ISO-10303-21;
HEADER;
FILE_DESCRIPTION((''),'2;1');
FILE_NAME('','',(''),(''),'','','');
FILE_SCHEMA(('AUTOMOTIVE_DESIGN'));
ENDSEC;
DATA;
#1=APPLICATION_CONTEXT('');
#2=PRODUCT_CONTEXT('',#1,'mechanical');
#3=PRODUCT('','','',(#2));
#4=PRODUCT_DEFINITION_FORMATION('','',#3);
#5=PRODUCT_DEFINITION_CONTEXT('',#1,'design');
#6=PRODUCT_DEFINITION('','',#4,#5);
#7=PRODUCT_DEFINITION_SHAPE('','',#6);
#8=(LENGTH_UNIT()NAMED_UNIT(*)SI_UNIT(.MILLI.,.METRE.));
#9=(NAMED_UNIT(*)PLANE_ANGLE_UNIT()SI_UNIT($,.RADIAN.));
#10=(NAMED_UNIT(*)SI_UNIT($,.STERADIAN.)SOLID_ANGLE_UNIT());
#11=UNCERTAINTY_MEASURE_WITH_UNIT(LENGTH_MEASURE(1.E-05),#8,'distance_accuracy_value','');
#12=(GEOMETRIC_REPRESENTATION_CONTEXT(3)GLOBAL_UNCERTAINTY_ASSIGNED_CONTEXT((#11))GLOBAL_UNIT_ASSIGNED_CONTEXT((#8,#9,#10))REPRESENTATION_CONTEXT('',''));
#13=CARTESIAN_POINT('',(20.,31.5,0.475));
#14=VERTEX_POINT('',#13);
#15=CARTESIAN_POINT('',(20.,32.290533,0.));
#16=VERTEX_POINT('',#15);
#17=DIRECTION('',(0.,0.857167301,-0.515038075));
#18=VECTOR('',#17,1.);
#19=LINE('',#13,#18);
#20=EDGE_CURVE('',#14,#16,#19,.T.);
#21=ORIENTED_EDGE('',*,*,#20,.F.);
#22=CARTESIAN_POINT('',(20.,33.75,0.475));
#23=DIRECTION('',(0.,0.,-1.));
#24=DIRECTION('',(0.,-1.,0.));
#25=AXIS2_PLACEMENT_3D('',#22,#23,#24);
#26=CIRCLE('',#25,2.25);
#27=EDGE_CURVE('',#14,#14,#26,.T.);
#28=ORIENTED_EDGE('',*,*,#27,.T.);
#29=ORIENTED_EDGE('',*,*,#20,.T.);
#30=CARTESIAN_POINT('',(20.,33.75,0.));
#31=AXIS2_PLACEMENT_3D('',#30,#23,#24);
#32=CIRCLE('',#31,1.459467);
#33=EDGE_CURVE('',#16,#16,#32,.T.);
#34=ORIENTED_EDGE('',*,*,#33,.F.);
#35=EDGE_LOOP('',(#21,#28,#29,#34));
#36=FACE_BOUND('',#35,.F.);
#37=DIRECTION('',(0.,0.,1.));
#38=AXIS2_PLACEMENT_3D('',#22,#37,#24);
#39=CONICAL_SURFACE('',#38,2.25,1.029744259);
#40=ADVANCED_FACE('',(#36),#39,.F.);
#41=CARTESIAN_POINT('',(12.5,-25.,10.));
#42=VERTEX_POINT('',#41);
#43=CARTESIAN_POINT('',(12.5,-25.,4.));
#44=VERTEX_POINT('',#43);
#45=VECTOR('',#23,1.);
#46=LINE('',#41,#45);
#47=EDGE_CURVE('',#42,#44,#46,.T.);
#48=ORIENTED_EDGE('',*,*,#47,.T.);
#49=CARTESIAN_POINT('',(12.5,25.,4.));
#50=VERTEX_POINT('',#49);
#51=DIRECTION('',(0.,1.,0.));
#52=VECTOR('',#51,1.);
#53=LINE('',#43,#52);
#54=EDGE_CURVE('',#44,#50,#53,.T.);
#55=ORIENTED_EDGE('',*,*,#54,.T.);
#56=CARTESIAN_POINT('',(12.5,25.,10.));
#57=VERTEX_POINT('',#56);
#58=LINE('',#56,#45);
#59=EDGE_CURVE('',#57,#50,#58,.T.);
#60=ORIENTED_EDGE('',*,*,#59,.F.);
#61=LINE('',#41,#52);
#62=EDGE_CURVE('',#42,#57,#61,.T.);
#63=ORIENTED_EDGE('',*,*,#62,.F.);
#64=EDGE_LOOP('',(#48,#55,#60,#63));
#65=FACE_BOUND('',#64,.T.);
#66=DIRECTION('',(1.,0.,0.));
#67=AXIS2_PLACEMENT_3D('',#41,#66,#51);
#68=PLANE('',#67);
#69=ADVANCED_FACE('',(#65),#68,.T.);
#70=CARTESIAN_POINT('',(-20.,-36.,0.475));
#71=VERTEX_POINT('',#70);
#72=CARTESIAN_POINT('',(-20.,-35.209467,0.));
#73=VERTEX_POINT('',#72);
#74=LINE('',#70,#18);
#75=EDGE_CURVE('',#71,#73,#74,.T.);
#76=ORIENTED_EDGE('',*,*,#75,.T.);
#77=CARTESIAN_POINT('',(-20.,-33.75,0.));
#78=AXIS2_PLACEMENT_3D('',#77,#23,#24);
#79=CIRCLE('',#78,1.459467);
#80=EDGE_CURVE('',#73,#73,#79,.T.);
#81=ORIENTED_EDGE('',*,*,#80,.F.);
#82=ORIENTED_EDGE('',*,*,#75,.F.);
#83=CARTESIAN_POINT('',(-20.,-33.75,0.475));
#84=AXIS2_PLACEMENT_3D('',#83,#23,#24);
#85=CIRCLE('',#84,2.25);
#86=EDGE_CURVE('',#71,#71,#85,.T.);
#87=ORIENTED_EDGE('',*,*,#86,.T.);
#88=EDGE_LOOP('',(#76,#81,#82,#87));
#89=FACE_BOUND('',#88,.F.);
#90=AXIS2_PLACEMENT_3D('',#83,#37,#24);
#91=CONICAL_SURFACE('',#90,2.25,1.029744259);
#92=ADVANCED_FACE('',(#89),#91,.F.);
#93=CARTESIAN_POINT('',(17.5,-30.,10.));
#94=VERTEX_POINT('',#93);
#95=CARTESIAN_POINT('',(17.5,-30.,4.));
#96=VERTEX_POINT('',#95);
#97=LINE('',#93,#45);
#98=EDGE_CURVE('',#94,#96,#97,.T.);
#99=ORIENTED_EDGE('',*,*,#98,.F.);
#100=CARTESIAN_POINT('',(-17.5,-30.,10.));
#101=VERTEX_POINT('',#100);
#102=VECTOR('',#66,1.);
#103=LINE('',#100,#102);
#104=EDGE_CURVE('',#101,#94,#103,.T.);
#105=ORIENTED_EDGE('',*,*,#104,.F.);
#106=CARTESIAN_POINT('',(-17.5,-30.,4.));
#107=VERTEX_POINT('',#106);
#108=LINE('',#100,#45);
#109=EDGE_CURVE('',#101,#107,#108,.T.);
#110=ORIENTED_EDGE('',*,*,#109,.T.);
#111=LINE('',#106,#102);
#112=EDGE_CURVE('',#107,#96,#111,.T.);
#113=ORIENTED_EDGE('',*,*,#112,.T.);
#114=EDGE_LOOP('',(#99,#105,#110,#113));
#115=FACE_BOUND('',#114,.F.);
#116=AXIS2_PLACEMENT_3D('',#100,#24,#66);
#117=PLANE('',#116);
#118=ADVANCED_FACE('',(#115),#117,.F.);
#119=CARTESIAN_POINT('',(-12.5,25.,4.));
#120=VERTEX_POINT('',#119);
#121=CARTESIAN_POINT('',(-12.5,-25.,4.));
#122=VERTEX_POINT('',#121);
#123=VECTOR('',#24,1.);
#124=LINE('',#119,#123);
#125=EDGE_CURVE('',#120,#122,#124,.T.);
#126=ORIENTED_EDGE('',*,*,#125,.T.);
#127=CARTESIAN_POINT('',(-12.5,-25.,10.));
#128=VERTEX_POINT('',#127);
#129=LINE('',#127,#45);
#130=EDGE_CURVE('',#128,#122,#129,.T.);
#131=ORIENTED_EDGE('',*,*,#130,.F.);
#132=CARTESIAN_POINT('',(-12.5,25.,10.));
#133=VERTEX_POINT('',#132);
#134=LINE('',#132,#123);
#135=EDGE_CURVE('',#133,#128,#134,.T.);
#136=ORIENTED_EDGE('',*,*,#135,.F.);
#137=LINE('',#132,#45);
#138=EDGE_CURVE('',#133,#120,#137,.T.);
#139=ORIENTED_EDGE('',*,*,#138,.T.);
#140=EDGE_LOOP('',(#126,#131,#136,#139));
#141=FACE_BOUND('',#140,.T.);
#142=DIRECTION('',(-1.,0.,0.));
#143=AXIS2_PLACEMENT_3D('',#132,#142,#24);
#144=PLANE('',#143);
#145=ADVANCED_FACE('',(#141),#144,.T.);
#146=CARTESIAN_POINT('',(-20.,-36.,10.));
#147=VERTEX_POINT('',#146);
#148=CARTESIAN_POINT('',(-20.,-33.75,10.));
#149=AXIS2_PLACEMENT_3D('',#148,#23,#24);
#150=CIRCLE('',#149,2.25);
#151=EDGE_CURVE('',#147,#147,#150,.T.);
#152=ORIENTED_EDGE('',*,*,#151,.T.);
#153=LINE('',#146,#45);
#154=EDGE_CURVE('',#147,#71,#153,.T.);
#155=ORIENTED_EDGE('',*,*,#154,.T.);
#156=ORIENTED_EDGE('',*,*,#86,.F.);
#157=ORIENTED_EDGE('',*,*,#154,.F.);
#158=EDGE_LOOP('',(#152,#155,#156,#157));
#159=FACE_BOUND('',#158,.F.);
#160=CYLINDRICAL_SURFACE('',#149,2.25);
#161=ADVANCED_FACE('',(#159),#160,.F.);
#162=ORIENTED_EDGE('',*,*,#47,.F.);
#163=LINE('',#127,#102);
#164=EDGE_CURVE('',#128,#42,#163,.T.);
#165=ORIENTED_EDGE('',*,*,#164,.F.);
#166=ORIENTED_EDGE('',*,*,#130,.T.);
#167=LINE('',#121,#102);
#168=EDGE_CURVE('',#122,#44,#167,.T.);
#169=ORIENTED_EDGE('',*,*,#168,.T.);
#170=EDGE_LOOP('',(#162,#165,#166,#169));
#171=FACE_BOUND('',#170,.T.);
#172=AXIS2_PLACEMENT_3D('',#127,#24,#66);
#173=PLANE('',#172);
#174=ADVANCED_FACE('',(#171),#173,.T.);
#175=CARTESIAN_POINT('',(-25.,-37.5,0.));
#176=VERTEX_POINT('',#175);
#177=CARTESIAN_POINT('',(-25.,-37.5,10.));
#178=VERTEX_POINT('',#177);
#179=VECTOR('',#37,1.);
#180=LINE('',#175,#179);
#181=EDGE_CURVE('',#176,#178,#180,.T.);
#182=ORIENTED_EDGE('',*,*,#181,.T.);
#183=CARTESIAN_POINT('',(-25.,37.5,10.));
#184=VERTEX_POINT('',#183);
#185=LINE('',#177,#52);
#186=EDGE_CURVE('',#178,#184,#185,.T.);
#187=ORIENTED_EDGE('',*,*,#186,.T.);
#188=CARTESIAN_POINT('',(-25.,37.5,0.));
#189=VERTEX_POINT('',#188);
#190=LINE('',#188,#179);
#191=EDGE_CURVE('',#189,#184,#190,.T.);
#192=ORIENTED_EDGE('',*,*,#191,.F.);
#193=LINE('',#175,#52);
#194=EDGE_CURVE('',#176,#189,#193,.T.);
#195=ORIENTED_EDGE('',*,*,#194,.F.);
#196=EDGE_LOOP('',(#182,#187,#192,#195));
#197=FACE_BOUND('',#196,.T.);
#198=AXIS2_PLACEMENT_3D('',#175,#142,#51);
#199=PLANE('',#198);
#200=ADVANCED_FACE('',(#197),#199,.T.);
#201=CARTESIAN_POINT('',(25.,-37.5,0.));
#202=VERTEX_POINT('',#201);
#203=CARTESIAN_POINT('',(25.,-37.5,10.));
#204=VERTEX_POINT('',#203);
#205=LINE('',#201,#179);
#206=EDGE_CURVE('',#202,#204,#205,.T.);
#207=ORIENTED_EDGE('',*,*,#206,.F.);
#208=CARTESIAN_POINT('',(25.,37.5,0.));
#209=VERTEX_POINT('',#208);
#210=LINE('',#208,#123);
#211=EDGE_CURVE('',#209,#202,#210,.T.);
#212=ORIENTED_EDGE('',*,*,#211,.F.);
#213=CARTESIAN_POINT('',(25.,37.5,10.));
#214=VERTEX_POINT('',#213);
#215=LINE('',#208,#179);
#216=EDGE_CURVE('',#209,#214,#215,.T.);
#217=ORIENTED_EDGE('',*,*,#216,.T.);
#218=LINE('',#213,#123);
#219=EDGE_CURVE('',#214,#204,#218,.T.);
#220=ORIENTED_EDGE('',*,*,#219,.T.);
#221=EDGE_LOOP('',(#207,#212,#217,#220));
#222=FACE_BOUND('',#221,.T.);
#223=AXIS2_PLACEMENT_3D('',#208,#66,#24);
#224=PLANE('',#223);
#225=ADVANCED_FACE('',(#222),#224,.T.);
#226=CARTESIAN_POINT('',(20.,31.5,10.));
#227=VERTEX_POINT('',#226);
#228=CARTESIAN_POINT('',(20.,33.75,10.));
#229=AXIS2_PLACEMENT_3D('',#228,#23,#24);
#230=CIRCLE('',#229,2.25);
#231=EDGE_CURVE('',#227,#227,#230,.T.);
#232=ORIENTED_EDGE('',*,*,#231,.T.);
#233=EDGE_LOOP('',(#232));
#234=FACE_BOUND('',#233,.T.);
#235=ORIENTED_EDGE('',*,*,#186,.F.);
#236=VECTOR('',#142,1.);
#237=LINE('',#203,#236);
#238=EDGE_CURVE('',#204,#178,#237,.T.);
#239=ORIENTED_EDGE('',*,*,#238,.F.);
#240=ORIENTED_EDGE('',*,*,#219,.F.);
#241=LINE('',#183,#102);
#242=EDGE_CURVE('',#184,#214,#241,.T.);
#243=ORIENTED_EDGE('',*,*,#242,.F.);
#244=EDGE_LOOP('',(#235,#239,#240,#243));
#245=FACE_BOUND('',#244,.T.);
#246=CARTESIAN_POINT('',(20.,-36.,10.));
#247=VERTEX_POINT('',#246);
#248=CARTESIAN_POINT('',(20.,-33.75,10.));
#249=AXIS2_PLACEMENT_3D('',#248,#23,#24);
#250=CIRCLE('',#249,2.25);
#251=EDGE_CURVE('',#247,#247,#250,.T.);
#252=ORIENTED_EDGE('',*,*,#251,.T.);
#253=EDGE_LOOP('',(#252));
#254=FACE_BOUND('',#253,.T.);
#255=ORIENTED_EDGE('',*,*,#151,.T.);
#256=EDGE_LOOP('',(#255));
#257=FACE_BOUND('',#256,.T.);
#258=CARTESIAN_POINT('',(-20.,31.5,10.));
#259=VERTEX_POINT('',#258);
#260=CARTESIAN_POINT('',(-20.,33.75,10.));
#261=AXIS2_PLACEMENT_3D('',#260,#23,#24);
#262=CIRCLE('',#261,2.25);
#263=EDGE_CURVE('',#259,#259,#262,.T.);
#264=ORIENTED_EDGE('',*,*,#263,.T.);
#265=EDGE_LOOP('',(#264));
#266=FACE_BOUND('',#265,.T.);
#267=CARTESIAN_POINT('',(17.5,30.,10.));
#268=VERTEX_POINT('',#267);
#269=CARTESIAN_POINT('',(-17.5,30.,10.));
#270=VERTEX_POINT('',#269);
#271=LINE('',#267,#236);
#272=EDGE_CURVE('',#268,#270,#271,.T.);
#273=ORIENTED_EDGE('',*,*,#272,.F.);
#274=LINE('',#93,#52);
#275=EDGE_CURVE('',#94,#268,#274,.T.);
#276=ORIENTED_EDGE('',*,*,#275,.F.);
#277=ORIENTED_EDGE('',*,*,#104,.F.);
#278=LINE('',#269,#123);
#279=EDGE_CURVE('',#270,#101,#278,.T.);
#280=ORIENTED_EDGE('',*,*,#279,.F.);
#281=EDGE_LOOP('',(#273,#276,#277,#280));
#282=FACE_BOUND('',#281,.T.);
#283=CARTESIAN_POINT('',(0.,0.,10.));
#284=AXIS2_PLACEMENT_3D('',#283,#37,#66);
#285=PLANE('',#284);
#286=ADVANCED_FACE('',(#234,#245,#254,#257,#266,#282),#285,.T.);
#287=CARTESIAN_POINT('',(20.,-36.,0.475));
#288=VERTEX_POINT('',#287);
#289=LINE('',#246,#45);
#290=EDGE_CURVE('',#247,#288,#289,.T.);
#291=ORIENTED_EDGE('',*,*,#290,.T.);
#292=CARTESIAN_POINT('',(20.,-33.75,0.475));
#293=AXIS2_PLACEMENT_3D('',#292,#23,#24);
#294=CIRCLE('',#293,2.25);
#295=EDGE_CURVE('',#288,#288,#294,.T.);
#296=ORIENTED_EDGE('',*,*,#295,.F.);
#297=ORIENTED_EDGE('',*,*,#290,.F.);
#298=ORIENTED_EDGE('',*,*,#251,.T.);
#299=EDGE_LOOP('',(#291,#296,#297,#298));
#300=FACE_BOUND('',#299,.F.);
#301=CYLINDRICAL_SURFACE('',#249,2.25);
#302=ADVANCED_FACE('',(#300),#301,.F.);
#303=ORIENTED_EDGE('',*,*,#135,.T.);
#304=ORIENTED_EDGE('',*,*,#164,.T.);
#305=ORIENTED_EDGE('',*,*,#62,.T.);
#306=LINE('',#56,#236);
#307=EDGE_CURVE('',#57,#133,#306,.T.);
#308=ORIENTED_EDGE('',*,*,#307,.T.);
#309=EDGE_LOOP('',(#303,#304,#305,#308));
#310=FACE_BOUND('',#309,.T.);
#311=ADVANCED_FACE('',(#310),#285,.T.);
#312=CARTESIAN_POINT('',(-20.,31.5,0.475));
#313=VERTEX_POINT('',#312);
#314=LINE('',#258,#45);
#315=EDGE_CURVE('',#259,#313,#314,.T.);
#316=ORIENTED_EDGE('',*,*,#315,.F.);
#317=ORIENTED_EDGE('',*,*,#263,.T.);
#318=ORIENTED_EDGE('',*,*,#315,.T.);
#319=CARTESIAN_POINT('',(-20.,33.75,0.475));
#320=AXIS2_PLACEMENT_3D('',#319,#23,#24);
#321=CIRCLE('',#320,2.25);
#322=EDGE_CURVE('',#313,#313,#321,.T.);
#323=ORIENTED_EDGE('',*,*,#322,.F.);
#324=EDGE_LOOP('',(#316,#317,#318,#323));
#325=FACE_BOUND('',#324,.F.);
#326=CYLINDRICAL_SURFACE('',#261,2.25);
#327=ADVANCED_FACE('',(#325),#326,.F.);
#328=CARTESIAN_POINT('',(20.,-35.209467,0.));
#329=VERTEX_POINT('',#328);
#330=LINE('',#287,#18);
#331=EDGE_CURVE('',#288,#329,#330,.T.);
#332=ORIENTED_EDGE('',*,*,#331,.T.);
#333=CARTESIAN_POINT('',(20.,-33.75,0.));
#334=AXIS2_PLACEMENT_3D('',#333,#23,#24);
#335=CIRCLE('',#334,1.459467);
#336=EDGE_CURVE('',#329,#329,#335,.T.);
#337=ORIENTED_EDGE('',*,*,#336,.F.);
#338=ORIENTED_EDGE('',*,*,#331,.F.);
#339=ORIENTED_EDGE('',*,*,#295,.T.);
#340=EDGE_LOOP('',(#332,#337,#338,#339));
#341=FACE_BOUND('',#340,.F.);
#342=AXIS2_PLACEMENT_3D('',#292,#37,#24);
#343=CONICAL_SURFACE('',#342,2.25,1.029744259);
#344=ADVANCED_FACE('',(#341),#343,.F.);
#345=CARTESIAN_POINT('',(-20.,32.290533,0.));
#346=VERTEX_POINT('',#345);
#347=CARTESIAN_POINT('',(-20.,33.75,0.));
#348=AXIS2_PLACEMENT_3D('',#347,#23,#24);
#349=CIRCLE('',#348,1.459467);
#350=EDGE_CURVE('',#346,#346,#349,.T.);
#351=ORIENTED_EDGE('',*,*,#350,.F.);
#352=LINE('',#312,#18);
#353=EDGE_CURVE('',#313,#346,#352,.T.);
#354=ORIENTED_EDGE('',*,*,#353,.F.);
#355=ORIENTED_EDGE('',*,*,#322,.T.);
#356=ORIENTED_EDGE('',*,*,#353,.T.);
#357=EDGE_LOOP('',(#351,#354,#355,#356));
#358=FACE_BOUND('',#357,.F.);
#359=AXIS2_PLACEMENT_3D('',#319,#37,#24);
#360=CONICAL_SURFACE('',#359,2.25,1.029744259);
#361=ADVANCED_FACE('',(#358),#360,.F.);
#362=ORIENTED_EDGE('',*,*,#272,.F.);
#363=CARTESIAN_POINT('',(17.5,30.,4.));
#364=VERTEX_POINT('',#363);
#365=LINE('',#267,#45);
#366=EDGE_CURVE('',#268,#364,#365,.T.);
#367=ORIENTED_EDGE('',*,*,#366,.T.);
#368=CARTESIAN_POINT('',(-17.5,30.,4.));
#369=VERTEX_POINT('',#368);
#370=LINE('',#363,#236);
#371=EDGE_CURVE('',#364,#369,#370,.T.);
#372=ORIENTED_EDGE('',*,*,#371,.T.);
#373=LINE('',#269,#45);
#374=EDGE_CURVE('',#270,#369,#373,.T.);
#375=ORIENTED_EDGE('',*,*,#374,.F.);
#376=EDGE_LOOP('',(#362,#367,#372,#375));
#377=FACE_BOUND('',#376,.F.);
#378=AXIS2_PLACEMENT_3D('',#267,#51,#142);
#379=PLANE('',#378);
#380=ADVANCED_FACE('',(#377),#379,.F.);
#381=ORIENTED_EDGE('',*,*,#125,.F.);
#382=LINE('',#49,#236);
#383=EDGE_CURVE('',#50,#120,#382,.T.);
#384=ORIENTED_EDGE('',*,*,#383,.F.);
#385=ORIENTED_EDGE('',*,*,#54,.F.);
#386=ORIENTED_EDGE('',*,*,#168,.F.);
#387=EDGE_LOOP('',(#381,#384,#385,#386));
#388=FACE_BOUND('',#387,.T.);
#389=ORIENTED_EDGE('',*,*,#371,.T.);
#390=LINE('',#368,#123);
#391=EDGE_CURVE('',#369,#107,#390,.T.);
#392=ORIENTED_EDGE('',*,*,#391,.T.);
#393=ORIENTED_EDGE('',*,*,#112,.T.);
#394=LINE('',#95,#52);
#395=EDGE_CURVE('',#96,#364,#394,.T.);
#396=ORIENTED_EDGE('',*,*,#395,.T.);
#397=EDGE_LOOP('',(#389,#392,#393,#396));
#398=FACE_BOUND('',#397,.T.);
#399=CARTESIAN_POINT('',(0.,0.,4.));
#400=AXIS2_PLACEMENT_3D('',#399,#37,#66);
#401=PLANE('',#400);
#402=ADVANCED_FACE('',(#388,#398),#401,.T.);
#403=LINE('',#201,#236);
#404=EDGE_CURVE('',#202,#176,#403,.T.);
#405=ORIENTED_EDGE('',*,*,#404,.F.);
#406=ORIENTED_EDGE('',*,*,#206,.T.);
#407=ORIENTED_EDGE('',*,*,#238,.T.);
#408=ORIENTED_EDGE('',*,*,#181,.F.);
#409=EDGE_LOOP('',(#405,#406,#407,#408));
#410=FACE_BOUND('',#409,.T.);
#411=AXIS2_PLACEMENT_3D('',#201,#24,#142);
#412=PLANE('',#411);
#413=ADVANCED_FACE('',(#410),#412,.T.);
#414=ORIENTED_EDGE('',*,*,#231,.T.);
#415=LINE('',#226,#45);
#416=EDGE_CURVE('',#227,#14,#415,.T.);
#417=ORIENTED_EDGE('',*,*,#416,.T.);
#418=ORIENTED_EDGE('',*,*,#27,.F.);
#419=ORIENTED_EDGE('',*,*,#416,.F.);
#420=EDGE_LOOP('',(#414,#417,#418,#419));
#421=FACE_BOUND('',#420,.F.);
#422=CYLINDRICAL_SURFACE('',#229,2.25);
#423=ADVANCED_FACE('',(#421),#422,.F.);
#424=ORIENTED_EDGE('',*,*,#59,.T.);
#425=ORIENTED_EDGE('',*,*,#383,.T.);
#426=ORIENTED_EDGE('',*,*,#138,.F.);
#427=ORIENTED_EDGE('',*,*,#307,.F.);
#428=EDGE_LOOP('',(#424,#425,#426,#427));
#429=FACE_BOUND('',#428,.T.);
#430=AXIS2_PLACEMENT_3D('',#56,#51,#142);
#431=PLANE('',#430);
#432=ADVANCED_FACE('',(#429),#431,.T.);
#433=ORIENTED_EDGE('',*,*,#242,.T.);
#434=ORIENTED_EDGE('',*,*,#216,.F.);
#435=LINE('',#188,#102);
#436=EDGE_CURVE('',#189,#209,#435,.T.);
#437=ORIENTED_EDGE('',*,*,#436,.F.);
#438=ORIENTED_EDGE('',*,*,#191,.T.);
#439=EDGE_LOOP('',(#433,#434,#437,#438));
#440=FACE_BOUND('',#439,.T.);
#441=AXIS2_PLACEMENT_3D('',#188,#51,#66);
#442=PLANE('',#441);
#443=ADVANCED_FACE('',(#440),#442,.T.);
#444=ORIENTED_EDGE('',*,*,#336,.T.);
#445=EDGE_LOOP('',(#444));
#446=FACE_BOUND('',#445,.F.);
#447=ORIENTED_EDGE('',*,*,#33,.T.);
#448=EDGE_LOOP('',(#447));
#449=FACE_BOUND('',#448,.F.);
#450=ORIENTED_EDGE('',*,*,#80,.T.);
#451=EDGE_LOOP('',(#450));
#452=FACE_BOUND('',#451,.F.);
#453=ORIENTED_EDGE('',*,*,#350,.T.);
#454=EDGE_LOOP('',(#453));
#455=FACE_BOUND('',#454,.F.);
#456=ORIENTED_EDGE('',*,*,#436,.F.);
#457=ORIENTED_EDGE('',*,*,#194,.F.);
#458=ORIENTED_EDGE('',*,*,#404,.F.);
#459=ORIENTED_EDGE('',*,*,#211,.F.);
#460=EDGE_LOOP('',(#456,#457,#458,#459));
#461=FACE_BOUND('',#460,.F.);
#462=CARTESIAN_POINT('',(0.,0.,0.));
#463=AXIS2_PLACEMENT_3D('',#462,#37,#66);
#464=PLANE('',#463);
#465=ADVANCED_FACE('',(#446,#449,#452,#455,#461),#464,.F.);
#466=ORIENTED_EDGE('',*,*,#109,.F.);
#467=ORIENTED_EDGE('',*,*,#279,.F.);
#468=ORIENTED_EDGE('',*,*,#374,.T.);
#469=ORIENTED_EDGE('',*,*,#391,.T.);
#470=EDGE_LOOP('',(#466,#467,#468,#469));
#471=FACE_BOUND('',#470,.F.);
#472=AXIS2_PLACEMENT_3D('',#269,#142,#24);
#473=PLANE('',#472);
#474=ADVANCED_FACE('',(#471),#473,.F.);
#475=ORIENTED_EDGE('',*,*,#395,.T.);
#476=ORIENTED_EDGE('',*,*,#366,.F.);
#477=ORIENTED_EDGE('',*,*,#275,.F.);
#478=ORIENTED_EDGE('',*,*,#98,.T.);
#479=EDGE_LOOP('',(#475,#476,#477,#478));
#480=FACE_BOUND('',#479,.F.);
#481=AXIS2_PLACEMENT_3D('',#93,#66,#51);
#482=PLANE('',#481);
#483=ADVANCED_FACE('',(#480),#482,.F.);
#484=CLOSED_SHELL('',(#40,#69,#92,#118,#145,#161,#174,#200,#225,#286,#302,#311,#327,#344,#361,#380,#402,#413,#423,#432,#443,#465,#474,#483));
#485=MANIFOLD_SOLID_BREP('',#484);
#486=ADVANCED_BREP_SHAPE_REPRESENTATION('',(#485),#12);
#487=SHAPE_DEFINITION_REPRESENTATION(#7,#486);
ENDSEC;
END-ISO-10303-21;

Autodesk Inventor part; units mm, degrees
ref_plane "YZ Plane" through (0, 0, 0) normal (1, 0, 0) x (0, 1, 0)
ref_plane "XZ Plane" through (0, 0, 0) normal (0, 1, 0) x (-1, 0, 0)
ref_plane "XY Plane" through (0, 0, 0) normal (0, 0, 1) x (1, 0, 0)
sketch "Sketch1" plane through (0, 0, 0) normal (0, 0, 1) x (1, 0, 0)
  line L0 (-25, 37.5) -> (25, 37.5)
  line L1 (25, 37.5) -> (25, -37.5)
  line L2 (25, -37.5) -> (-25, -37.5)
  line L3 (-25, -37.5) -> (-25, 37.5)
  point P0 (0, 0)
  dimension "d0" = 50
  dimension "d1" = 75
  dimension "d2" = 37.5
  dimension "d3" = 25
extrude "Extrusion1" add sketch "Sketch1" along normal blind 10
sketch "Sketch2" plane through (0, 0, 10) normal (0, 0, 1) x (1, 0, 0)
  point P0 (0, 0)
  point P1 (20, -33.75)
  point P2 (-20, -33.75)
  point P3 (-20, 33.75)
  point P4 (20, 33.75)
  dimension "d6" = 40
  dimension "d7" = 20
  dimension "d8" = 67.5
  dimension "d9" = 33.75
hole "Hole1" at (20, -33.75, 10) at (-20, -33.75, 10) at (-20, 33.75, 10) at (20, 33.75, 10) direction (0, 0, -1) diameter 4.5 depth 9.525 tip angle 118 clearance for "Countersunk Flat Head Screw ISO 2009/7046" size "M4" standard "ISO"
sketch "Sketch3" plane through (0, 0, 10) normal (0, 0, 1) x (1, 0, 0)
  line L0 (-17.5, -30) -> (17.5, -30)
  line L1 (17.5, -30) -> (17.5, 30)
  line L2 (17.5, 30) -> (-17.5, 30)
  line L3 (-17.5, 30) -> (-17.5, -30)
  line L4 (-12.5, -25) -> (12.5, -25)
  line L5 (12.5, -25) -> (12.5, 25)
  line L6 (12.5, 25) -> (-12.5, 25)
  line L7 (-12.5, 25) -> (-12.5, -25)
  point P0 (0, 0)
  dimension "d19" = 35
  dimension "d22" = 60
  dimension "d23" = 30
  dimension "d24" = 5
  dimension "d26" = 17.5
  dimension "d27" = 5
  dimension "d29" = 5
  dimension "d30" = 5
extrude "Extrusion2" cut sketch "Sketch3" against normal blind 6
equation "\"d2\" = 0.5 * d1"
equation "\"d3\" = 0.5 * d0"
equation "\"d7\" = 0.5 * d6"
equation "\"d9\" = 0.5 * d8"
equation "\"d23\" = 0.5 * d22"
equation "\"d26\" = 0.5 * d19"
equation "\"d27\" = d24"
equation "\"d29\" = d24"
equation "\"d30\" = d24"
properties part number "filipeSampleHolderBase"
